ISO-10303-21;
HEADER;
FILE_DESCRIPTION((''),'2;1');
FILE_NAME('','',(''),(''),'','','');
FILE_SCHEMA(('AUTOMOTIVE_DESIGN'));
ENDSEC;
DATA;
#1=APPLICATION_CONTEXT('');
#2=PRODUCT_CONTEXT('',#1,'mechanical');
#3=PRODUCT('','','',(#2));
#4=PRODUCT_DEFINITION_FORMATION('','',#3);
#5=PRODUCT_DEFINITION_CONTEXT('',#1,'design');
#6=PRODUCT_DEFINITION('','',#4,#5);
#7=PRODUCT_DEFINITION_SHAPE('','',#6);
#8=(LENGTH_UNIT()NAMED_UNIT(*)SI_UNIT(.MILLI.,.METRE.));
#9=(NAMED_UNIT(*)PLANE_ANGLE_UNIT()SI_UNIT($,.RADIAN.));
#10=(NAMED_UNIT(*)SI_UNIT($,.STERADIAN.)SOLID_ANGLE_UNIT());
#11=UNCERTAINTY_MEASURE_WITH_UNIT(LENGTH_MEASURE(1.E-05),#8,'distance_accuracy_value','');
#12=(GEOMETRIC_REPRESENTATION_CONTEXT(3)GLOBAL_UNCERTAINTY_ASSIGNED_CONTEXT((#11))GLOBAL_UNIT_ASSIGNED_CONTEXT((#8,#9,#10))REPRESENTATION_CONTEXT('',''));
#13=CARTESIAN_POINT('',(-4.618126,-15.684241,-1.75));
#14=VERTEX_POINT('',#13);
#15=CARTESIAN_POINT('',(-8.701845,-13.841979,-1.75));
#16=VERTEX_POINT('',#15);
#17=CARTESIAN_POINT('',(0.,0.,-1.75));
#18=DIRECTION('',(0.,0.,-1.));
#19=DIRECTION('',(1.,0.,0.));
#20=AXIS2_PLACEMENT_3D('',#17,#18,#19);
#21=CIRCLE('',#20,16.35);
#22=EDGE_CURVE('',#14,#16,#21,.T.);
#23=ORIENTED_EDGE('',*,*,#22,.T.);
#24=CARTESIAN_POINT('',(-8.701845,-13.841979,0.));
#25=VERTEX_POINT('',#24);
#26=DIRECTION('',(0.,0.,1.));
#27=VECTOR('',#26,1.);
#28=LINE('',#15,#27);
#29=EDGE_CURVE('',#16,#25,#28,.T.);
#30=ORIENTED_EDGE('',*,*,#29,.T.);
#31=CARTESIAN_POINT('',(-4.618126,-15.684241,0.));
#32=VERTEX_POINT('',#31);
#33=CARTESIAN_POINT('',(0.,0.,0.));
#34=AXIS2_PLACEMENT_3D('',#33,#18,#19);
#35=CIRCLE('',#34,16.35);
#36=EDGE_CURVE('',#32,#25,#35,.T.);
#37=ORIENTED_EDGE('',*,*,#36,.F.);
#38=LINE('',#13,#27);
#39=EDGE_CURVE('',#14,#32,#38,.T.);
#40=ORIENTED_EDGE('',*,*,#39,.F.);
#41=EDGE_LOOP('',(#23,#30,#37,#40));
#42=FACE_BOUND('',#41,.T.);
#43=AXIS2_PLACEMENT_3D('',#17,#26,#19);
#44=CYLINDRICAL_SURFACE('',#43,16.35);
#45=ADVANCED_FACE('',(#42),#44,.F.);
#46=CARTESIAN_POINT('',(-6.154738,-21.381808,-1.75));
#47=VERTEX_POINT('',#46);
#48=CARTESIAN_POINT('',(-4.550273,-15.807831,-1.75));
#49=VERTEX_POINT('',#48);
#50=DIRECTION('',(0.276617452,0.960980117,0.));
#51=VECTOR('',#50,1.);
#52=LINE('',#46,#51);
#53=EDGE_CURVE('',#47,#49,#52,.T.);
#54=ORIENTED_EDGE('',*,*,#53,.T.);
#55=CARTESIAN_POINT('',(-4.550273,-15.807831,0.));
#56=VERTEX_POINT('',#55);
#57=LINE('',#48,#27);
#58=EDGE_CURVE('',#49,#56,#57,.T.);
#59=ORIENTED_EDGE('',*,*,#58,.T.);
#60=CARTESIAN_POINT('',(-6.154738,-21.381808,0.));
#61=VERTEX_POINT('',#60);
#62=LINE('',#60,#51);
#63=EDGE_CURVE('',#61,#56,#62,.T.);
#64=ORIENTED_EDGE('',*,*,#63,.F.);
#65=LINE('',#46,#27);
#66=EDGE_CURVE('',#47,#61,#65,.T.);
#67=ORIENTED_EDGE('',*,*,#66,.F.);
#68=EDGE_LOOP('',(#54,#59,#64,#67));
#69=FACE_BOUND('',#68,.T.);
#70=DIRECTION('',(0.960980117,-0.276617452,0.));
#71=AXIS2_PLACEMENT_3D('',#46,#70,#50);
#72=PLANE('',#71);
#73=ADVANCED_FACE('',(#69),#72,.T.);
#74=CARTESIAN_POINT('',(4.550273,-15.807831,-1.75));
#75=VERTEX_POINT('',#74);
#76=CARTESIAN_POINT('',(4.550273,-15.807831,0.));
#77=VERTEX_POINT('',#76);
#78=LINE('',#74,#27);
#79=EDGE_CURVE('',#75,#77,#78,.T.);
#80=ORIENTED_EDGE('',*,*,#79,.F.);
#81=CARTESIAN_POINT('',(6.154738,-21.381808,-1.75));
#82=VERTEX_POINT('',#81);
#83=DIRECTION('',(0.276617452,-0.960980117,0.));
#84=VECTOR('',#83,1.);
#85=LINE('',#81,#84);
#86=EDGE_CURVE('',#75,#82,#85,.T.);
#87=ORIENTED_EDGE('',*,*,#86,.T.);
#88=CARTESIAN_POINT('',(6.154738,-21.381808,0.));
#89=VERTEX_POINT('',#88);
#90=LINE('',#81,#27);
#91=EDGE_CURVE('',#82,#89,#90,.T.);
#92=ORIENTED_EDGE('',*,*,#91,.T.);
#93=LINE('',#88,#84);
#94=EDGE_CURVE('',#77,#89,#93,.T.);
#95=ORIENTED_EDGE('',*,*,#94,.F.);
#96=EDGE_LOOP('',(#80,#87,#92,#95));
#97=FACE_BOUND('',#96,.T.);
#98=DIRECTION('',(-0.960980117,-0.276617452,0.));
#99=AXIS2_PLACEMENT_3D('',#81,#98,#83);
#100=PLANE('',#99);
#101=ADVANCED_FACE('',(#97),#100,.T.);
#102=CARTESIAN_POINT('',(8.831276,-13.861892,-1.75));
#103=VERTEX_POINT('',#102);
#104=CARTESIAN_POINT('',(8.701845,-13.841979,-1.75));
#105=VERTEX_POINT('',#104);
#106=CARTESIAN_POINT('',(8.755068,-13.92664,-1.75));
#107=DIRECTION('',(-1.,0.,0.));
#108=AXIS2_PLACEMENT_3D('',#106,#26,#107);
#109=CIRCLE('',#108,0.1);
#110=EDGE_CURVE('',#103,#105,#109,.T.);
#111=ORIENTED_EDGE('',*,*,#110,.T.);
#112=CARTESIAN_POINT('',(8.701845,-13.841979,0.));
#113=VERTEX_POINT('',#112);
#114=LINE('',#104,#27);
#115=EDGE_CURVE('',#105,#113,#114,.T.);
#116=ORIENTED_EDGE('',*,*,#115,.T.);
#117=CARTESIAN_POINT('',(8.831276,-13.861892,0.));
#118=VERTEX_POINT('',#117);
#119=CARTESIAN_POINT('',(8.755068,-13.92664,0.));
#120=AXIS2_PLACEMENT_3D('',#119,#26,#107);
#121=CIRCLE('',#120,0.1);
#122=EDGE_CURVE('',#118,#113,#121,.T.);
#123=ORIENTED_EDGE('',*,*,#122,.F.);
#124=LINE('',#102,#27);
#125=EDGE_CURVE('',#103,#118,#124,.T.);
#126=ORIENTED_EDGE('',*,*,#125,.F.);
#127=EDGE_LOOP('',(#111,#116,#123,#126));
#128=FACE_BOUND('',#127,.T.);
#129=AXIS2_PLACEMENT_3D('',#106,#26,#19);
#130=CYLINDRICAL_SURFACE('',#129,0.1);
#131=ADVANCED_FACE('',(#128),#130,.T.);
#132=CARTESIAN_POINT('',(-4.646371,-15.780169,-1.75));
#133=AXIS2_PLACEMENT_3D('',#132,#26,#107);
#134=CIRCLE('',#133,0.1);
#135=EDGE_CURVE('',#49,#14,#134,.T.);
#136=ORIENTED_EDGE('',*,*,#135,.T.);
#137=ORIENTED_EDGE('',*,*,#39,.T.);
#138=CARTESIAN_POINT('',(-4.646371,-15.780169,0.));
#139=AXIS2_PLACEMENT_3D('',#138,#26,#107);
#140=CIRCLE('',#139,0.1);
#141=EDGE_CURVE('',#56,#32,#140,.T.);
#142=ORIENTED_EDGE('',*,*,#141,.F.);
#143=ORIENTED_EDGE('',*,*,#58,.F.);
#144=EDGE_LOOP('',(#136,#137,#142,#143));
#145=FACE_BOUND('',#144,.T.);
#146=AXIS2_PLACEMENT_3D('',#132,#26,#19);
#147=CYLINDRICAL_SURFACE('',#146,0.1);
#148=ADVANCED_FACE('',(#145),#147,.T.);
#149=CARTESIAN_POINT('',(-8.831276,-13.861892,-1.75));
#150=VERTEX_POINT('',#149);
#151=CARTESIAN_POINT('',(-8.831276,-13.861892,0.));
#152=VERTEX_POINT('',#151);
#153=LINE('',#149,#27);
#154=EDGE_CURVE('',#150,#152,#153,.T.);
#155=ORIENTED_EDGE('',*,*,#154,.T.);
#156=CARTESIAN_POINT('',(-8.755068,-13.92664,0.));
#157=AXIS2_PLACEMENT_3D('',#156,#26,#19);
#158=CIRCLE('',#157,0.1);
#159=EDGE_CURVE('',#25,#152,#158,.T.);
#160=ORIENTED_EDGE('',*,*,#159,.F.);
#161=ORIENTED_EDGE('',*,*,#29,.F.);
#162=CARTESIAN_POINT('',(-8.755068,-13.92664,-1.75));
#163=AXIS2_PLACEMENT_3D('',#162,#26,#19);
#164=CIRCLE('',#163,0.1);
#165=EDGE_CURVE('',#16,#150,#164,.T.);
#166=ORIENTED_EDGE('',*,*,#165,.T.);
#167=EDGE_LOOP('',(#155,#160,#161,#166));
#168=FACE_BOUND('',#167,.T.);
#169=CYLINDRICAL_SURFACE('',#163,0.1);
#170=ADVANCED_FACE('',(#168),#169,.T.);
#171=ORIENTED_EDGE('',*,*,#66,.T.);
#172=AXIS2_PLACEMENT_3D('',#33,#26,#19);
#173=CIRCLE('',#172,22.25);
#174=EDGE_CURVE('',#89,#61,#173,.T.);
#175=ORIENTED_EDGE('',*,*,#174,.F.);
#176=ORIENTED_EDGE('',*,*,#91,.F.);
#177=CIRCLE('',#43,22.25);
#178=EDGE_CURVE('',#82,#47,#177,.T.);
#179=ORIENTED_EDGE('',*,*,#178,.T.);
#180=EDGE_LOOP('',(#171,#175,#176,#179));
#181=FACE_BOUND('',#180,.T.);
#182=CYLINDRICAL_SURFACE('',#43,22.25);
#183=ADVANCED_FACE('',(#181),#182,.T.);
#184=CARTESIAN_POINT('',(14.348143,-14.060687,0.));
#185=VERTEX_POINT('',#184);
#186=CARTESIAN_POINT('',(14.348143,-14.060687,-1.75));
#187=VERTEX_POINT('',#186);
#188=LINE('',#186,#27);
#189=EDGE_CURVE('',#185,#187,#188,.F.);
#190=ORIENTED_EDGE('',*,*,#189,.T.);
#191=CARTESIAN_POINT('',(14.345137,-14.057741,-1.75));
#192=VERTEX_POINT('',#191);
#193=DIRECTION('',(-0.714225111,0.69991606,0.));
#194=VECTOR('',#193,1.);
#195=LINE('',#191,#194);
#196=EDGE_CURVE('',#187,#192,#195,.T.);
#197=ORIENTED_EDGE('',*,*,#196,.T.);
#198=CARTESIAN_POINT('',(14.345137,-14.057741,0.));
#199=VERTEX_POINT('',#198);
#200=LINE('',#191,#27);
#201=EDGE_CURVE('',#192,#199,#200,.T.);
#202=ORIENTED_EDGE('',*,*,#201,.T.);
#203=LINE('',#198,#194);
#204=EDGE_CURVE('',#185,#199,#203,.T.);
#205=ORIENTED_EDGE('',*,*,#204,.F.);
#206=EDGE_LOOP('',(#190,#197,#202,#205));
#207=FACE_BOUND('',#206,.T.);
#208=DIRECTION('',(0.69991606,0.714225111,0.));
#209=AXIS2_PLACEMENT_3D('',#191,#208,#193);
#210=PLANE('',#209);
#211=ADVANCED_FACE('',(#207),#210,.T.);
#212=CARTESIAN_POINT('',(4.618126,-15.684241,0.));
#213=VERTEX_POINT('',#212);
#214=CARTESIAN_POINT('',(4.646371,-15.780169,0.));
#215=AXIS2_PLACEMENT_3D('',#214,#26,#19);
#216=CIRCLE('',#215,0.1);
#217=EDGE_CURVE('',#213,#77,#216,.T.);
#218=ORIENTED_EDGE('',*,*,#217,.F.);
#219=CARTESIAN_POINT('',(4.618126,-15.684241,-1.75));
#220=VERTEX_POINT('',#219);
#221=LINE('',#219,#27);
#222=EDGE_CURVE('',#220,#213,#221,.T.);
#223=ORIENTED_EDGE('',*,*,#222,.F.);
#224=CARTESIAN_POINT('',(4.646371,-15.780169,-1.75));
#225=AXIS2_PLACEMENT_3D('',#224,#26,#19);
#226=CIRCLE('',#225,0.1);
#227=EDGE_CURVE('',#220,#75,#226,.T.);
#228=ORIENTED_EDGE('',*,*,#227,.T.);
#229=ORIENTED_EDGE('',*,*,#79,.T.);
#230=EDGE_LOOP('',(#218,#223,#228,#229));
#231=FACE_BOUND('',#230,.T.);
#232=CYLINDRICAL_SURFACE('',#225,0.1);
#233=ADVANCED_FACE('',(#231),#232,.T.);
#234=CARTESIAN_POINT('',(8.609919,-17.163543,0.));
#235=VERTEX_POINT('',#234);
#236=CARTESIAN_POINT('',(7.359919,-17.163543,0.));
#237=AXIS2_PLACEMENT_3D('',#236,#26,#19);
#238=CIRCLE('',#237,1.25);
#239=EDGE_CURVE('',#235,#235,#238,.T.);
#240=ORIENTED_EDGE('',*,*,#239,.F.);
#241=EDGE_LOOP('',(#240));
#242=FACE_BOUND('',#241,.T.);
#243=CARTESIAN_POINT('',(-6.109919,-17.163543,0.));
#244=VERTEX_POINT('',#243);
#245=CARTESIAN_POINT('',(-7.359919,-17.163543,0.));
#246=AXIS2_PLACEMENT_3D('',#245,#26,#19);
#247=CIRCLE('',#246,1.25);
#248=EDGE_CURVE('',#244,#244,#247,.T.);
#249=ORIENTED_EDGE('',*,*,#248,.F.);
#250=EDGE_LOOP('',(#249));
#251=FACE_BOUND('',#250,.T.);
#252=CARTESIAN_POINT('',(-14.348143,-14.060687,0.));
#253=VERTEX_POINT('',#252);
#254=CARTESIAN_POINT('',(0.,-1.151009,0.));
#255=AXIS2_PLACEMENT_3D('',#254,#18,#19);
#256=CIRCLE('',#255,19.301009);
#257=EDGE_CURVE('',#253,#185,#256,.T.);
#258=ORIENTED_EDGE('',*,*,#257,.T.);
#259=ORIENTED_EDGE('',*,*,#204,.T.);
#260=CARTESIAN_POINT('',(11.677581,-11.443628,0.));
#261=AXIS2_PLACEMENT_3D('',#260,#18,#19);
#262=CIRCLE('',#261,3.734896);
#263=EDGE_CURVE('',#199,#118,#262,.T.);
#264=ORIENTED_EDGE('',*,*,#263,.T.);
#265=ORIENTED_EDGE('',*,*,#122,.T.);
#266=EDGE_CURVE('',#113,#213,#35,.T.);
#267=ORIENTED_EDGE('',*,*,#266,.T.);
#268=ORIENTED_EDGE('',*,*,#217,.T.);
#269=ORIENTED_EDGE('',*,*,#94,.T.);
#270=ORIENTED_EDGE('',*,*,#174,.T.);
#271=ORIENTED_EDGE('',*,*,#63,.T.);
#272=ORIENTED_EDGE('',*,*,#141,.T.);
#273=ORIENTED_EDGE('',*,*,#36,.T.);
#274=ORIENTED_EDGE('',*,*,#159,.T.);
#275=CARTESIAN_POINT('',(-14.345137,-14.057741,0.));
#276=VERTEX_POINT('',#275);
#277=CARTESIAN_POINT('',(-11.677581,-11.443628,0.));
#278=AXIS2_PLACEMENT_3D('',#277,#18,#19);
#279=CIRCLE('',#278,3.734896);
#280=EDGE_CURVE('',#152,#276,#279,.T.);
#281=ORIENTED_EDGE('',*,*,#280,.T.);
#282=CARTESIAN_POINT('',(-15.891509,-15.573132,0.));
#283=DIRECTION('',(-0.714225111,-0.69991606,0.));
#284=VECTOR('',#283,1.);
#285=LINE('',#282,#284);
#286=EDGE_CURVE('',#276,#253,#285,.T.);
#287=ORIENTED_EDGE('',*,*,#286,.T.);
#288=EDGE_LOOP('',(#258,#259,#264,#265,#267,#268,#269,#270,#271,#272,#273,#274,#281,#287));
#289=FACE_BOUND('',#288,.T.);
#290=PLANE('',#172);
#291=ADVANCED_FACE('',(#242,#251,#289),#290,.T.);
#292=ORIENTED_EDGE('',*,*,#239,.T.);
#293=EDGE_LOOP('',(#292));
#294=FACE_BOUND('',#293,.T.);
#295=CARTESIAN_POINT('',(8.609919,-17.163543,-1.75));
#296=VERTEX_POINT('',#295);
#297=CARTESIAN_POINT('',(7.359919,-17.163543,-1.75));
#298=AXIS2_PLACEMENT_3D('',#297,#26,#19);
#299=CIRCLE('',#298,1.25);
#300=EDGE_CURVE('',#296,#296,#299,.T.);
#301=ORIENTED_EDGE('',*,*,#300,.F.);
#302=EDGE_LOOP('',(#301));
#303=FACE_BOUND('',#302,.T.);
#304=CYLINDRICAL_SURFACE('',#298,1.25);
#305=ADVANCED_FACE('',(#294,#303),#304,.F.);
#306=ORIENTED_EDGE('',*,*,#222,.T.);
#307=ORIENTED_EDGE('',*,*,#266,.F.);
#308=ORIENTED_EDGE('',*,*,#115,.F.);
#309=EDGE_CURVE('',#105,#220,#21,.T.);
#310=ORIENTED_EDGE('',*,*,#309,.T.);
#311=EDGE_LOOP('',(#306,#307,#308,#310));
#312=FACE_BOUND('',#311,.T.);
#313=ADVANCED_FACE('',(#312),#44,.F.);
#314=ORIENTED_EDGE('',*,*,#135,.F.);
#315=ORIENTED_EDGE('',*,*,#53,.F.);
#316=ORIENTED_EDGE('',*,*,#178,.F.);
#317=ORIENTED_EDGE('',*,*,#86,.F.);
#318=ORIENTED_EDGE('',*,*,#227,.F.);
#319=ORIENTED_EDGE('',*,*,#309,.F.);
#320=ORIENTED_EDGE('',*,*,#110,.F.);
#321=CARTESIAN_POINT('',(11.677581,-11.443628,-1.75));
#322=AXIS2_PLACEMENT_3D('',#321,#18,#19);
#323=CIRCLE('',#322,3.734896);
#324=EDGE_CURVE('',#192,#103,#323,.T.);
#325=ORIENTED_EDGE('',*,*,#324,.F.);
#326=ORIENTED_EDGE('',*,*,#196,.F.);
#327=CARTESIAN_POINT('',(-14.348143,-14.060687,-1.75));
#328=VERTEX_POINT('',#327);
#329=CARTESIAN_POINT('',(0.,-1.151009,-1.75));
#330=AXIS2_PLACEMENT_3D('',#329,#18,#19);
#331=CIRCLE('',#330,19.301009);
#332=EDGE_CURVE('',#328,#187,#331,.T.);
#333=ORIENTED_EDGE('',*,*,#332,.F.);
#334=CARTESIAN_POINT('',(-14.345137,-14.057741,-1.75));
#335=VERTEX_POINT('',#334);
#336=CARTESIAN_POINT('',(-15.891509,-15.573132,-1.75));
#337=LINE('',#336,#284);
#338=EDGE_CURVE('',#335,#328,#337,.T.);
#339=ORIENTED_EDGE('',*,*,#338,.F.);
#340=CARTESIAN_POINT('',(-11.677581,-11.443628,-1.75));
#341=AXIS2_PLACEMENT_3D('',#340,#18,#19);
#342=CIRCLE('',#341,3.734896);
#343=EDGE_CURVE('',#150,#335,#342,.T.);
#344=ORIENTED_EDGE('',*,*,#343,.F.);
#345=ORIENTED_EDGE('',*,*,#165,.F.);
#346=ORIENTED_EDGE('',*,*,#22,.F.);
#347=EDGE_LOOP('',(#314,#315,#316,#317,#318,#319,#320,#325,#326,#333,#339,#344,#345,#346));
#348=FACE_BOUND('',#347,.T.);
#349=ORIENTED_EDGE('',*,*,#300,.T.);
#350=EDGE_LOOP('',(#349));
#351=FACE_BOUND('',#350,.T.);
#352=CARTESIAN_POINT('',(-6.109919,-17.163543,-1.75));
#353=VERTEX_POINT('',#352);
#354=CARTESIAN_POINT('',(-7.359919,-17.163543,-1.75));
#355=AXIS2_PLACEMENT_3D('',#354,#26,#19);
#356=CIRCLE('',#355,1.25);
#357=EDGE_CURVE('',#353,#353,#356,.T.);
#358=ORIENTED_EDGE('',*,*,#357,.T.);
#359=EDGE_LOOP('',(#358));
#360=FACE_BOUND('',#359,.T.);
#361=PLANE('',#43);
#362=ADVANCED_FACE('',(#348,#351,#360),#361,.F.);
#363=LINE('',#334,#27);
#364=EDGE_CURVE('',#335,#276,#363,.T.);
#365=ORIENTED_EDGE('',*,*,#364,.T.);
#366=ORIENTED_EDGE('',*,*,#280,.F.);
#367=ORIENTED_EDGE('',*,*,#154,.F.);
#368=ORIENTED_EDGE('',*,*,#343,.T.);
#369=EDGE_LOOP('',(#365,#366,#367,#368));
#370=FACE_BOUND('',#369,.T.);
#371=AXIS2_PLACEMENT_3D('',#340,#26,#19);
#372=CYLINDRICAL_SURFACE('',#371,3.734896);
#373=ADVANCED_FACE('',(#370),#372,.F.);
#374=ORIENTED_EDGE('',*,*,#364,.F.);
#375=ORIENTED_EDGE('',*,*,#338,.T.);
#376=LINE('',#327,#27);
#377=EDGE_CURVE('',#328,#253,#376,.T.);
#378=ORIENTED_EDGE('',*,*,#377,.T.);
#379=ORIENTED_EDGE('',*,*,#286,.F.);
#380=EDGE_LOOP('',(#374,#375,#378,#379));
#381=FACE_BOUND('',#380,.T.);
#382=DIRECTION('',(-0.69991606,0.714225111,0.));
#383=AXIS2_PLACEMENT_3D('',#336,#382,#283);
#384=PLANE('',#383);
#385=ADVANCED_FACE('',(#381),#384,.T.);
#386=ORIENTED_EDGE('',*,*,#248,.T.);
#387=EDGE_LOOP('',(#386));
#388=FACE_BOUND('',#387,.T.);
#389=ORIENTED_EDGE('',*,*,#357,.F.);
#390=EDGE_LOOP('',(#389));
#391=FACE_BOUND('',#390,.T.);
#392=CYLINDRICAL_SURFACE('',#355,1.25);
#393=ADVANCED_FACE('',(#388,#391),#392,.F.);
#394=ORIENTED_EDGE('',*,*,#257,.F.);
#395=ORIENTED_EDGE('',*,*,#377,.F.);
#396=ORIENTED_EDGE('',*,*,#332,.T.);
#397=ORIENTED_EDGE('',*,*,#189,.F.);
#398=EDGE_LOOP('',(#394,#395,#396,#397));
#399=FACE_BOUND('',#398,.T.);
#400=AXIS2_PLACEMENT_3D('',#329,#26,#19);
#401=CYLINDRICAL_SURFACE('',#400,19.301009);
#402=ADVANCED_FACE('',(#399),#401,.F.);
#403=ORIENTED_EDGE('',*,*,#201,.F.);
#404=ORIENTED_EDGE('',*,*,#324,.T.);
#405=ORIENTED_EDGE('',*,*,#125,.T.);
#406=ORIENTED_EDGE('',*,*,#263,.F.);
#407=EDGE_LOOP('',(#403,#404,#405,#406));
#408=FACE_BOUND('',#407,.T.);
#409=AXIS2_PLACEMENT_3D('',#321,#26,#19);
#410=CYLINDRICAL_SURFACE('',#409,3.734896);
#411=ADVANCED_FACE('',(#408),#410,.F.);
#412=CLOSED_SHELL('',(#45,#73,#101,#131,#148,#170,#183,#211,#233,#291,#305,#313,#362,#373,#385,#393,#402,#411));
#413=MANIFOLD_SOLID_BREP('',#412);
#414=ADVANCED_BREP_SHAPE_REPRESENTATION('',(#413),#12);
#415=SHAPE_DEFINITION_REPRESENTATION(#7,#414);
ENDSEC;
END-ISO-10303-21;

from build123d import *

# Parameters (mm, degrees)
BODYSKE_R    = 1.25
BODY_DEPTH   = 1.75
MODLUGSKE_R  = 1.25
MODLUG_DEPTH = 1.75


with BuildPart() as part:
    # BodySke → Body (new body)
    with BuildSketch(Plane.XY):
        with BuildLine():
            Line((6.15473831, -21.381807602), (5.12564003, -17.806678924))
            ThreePointArc((5.12564003, -17.806678924), (6.26268227, -15.113739212), (9.13415023, -15.660969609))
            ThreePointArc((9.13415023, -15.660969609), (10.710697658, -16.474976548), (12.402371606, -15.939861288))
            ThreePointArc((12.402371606, -15.939861288), (0, 18.15), (-12.402371606, -15.939861288))
            ThreePointArc((-12.402371606, -15.939861288), (-10.710697658, -16.474976548), (-9.13415023, -15.660969609))
            ThreePointArc((-9.13415023, -15.660969609), (-6.26268227, -15.113739212), (-5.12564003, -17.806678924))
            Line((-5.12564003, -17.806678924), (-6.15473831, -21.381807602))
            ThreePointArc((-6.15473831, -21.381807602), (0, 22.25), (6.15473831, -21.381807602))
        make_face()
        with Locations((7.359918802, -17.163543347)):
            Circle(BODYSKE_R, mode=Mode.SUBTRACT)
        with Locations((-7.359918802, -17.163543347)):
            Circle(BODYSKE_R, mode=Mode.SUBTRACT)
    extrude(amount=-BODY_DEPTH)

    # ModLugSke → ModLug (add, through all)
    with BuildSketch(Plane.XY):
        with BuildLine():
            Line((6.15473831, -21.381807602), (4.550273009, -15.80783083))
            ThreePointArc((4.550273009, -15.80783083), (4.558712973, -15.732043553), (4.618125604, -15.684241005))
            ThreePointArc((4.618125604, -15.684241005), (6.723383791, -14.903644199), (8.701845472, -13.841979099))
            ThreePointArc((8.701845472, -13.841979099), (8.770273624, -13.827802373), (8.831276161, -13.861891696))
            ThreePointArc((8.831276161, -13.861891696), (11.5450024, -15.176170025), (14.345137247, -14.057741457))
            Line((14.345137247, -14.057741457), (15.89150871, -15.573132342))
            ThreePointArc((15.89150871, -15.573132342), (11.399317041, -19.108062984), (6.15473831, -21.381807602))
        make_face()
        with Locations((7.359918802, -17.163543347)):
            Circle(MODLUGSKE_R, mode=Mode.SUBTRACT)
        with BuildLine():
            Line((-6.15473831, -21.381807602), (-4.550273009, -15.80783083))
            ThreePointArc((-4.550273009, -15.80783083), (-4.558712973, -15.732043553), (-4.618125604, -15.684241005))
            ThreePointArc((-4.618125604, -15.684241005), (-6.723383791, -14.903644199), (-8.701845472, -13.841979099))
            ThreePointArc((-8.701845472, -13.841979099), (-8.770273624, -13.827802373), (-8.831276161, -13.861891696))
            ThreePointArc((-8.831276161, -13.861891696), (-11.5450024, -15.176170025), (-14.345137247, -14.057741457))
            Line((-14.345137247, -14.057741457), (-15.89150871, -15.573132342))
            ThreePointArc((-15.89150871, -15.573132342), (-11.399317041, -19.108062984), (-6.15473831, -21.381807602))
        make_face()
        with Locations((-7.359918802, -17.163543347)):
            Circle(MODLUGSKE_R, mode=Mode.SUBTRACT)
    extrude(amount=-MODLUG_DEPTH)


solid = part.part
